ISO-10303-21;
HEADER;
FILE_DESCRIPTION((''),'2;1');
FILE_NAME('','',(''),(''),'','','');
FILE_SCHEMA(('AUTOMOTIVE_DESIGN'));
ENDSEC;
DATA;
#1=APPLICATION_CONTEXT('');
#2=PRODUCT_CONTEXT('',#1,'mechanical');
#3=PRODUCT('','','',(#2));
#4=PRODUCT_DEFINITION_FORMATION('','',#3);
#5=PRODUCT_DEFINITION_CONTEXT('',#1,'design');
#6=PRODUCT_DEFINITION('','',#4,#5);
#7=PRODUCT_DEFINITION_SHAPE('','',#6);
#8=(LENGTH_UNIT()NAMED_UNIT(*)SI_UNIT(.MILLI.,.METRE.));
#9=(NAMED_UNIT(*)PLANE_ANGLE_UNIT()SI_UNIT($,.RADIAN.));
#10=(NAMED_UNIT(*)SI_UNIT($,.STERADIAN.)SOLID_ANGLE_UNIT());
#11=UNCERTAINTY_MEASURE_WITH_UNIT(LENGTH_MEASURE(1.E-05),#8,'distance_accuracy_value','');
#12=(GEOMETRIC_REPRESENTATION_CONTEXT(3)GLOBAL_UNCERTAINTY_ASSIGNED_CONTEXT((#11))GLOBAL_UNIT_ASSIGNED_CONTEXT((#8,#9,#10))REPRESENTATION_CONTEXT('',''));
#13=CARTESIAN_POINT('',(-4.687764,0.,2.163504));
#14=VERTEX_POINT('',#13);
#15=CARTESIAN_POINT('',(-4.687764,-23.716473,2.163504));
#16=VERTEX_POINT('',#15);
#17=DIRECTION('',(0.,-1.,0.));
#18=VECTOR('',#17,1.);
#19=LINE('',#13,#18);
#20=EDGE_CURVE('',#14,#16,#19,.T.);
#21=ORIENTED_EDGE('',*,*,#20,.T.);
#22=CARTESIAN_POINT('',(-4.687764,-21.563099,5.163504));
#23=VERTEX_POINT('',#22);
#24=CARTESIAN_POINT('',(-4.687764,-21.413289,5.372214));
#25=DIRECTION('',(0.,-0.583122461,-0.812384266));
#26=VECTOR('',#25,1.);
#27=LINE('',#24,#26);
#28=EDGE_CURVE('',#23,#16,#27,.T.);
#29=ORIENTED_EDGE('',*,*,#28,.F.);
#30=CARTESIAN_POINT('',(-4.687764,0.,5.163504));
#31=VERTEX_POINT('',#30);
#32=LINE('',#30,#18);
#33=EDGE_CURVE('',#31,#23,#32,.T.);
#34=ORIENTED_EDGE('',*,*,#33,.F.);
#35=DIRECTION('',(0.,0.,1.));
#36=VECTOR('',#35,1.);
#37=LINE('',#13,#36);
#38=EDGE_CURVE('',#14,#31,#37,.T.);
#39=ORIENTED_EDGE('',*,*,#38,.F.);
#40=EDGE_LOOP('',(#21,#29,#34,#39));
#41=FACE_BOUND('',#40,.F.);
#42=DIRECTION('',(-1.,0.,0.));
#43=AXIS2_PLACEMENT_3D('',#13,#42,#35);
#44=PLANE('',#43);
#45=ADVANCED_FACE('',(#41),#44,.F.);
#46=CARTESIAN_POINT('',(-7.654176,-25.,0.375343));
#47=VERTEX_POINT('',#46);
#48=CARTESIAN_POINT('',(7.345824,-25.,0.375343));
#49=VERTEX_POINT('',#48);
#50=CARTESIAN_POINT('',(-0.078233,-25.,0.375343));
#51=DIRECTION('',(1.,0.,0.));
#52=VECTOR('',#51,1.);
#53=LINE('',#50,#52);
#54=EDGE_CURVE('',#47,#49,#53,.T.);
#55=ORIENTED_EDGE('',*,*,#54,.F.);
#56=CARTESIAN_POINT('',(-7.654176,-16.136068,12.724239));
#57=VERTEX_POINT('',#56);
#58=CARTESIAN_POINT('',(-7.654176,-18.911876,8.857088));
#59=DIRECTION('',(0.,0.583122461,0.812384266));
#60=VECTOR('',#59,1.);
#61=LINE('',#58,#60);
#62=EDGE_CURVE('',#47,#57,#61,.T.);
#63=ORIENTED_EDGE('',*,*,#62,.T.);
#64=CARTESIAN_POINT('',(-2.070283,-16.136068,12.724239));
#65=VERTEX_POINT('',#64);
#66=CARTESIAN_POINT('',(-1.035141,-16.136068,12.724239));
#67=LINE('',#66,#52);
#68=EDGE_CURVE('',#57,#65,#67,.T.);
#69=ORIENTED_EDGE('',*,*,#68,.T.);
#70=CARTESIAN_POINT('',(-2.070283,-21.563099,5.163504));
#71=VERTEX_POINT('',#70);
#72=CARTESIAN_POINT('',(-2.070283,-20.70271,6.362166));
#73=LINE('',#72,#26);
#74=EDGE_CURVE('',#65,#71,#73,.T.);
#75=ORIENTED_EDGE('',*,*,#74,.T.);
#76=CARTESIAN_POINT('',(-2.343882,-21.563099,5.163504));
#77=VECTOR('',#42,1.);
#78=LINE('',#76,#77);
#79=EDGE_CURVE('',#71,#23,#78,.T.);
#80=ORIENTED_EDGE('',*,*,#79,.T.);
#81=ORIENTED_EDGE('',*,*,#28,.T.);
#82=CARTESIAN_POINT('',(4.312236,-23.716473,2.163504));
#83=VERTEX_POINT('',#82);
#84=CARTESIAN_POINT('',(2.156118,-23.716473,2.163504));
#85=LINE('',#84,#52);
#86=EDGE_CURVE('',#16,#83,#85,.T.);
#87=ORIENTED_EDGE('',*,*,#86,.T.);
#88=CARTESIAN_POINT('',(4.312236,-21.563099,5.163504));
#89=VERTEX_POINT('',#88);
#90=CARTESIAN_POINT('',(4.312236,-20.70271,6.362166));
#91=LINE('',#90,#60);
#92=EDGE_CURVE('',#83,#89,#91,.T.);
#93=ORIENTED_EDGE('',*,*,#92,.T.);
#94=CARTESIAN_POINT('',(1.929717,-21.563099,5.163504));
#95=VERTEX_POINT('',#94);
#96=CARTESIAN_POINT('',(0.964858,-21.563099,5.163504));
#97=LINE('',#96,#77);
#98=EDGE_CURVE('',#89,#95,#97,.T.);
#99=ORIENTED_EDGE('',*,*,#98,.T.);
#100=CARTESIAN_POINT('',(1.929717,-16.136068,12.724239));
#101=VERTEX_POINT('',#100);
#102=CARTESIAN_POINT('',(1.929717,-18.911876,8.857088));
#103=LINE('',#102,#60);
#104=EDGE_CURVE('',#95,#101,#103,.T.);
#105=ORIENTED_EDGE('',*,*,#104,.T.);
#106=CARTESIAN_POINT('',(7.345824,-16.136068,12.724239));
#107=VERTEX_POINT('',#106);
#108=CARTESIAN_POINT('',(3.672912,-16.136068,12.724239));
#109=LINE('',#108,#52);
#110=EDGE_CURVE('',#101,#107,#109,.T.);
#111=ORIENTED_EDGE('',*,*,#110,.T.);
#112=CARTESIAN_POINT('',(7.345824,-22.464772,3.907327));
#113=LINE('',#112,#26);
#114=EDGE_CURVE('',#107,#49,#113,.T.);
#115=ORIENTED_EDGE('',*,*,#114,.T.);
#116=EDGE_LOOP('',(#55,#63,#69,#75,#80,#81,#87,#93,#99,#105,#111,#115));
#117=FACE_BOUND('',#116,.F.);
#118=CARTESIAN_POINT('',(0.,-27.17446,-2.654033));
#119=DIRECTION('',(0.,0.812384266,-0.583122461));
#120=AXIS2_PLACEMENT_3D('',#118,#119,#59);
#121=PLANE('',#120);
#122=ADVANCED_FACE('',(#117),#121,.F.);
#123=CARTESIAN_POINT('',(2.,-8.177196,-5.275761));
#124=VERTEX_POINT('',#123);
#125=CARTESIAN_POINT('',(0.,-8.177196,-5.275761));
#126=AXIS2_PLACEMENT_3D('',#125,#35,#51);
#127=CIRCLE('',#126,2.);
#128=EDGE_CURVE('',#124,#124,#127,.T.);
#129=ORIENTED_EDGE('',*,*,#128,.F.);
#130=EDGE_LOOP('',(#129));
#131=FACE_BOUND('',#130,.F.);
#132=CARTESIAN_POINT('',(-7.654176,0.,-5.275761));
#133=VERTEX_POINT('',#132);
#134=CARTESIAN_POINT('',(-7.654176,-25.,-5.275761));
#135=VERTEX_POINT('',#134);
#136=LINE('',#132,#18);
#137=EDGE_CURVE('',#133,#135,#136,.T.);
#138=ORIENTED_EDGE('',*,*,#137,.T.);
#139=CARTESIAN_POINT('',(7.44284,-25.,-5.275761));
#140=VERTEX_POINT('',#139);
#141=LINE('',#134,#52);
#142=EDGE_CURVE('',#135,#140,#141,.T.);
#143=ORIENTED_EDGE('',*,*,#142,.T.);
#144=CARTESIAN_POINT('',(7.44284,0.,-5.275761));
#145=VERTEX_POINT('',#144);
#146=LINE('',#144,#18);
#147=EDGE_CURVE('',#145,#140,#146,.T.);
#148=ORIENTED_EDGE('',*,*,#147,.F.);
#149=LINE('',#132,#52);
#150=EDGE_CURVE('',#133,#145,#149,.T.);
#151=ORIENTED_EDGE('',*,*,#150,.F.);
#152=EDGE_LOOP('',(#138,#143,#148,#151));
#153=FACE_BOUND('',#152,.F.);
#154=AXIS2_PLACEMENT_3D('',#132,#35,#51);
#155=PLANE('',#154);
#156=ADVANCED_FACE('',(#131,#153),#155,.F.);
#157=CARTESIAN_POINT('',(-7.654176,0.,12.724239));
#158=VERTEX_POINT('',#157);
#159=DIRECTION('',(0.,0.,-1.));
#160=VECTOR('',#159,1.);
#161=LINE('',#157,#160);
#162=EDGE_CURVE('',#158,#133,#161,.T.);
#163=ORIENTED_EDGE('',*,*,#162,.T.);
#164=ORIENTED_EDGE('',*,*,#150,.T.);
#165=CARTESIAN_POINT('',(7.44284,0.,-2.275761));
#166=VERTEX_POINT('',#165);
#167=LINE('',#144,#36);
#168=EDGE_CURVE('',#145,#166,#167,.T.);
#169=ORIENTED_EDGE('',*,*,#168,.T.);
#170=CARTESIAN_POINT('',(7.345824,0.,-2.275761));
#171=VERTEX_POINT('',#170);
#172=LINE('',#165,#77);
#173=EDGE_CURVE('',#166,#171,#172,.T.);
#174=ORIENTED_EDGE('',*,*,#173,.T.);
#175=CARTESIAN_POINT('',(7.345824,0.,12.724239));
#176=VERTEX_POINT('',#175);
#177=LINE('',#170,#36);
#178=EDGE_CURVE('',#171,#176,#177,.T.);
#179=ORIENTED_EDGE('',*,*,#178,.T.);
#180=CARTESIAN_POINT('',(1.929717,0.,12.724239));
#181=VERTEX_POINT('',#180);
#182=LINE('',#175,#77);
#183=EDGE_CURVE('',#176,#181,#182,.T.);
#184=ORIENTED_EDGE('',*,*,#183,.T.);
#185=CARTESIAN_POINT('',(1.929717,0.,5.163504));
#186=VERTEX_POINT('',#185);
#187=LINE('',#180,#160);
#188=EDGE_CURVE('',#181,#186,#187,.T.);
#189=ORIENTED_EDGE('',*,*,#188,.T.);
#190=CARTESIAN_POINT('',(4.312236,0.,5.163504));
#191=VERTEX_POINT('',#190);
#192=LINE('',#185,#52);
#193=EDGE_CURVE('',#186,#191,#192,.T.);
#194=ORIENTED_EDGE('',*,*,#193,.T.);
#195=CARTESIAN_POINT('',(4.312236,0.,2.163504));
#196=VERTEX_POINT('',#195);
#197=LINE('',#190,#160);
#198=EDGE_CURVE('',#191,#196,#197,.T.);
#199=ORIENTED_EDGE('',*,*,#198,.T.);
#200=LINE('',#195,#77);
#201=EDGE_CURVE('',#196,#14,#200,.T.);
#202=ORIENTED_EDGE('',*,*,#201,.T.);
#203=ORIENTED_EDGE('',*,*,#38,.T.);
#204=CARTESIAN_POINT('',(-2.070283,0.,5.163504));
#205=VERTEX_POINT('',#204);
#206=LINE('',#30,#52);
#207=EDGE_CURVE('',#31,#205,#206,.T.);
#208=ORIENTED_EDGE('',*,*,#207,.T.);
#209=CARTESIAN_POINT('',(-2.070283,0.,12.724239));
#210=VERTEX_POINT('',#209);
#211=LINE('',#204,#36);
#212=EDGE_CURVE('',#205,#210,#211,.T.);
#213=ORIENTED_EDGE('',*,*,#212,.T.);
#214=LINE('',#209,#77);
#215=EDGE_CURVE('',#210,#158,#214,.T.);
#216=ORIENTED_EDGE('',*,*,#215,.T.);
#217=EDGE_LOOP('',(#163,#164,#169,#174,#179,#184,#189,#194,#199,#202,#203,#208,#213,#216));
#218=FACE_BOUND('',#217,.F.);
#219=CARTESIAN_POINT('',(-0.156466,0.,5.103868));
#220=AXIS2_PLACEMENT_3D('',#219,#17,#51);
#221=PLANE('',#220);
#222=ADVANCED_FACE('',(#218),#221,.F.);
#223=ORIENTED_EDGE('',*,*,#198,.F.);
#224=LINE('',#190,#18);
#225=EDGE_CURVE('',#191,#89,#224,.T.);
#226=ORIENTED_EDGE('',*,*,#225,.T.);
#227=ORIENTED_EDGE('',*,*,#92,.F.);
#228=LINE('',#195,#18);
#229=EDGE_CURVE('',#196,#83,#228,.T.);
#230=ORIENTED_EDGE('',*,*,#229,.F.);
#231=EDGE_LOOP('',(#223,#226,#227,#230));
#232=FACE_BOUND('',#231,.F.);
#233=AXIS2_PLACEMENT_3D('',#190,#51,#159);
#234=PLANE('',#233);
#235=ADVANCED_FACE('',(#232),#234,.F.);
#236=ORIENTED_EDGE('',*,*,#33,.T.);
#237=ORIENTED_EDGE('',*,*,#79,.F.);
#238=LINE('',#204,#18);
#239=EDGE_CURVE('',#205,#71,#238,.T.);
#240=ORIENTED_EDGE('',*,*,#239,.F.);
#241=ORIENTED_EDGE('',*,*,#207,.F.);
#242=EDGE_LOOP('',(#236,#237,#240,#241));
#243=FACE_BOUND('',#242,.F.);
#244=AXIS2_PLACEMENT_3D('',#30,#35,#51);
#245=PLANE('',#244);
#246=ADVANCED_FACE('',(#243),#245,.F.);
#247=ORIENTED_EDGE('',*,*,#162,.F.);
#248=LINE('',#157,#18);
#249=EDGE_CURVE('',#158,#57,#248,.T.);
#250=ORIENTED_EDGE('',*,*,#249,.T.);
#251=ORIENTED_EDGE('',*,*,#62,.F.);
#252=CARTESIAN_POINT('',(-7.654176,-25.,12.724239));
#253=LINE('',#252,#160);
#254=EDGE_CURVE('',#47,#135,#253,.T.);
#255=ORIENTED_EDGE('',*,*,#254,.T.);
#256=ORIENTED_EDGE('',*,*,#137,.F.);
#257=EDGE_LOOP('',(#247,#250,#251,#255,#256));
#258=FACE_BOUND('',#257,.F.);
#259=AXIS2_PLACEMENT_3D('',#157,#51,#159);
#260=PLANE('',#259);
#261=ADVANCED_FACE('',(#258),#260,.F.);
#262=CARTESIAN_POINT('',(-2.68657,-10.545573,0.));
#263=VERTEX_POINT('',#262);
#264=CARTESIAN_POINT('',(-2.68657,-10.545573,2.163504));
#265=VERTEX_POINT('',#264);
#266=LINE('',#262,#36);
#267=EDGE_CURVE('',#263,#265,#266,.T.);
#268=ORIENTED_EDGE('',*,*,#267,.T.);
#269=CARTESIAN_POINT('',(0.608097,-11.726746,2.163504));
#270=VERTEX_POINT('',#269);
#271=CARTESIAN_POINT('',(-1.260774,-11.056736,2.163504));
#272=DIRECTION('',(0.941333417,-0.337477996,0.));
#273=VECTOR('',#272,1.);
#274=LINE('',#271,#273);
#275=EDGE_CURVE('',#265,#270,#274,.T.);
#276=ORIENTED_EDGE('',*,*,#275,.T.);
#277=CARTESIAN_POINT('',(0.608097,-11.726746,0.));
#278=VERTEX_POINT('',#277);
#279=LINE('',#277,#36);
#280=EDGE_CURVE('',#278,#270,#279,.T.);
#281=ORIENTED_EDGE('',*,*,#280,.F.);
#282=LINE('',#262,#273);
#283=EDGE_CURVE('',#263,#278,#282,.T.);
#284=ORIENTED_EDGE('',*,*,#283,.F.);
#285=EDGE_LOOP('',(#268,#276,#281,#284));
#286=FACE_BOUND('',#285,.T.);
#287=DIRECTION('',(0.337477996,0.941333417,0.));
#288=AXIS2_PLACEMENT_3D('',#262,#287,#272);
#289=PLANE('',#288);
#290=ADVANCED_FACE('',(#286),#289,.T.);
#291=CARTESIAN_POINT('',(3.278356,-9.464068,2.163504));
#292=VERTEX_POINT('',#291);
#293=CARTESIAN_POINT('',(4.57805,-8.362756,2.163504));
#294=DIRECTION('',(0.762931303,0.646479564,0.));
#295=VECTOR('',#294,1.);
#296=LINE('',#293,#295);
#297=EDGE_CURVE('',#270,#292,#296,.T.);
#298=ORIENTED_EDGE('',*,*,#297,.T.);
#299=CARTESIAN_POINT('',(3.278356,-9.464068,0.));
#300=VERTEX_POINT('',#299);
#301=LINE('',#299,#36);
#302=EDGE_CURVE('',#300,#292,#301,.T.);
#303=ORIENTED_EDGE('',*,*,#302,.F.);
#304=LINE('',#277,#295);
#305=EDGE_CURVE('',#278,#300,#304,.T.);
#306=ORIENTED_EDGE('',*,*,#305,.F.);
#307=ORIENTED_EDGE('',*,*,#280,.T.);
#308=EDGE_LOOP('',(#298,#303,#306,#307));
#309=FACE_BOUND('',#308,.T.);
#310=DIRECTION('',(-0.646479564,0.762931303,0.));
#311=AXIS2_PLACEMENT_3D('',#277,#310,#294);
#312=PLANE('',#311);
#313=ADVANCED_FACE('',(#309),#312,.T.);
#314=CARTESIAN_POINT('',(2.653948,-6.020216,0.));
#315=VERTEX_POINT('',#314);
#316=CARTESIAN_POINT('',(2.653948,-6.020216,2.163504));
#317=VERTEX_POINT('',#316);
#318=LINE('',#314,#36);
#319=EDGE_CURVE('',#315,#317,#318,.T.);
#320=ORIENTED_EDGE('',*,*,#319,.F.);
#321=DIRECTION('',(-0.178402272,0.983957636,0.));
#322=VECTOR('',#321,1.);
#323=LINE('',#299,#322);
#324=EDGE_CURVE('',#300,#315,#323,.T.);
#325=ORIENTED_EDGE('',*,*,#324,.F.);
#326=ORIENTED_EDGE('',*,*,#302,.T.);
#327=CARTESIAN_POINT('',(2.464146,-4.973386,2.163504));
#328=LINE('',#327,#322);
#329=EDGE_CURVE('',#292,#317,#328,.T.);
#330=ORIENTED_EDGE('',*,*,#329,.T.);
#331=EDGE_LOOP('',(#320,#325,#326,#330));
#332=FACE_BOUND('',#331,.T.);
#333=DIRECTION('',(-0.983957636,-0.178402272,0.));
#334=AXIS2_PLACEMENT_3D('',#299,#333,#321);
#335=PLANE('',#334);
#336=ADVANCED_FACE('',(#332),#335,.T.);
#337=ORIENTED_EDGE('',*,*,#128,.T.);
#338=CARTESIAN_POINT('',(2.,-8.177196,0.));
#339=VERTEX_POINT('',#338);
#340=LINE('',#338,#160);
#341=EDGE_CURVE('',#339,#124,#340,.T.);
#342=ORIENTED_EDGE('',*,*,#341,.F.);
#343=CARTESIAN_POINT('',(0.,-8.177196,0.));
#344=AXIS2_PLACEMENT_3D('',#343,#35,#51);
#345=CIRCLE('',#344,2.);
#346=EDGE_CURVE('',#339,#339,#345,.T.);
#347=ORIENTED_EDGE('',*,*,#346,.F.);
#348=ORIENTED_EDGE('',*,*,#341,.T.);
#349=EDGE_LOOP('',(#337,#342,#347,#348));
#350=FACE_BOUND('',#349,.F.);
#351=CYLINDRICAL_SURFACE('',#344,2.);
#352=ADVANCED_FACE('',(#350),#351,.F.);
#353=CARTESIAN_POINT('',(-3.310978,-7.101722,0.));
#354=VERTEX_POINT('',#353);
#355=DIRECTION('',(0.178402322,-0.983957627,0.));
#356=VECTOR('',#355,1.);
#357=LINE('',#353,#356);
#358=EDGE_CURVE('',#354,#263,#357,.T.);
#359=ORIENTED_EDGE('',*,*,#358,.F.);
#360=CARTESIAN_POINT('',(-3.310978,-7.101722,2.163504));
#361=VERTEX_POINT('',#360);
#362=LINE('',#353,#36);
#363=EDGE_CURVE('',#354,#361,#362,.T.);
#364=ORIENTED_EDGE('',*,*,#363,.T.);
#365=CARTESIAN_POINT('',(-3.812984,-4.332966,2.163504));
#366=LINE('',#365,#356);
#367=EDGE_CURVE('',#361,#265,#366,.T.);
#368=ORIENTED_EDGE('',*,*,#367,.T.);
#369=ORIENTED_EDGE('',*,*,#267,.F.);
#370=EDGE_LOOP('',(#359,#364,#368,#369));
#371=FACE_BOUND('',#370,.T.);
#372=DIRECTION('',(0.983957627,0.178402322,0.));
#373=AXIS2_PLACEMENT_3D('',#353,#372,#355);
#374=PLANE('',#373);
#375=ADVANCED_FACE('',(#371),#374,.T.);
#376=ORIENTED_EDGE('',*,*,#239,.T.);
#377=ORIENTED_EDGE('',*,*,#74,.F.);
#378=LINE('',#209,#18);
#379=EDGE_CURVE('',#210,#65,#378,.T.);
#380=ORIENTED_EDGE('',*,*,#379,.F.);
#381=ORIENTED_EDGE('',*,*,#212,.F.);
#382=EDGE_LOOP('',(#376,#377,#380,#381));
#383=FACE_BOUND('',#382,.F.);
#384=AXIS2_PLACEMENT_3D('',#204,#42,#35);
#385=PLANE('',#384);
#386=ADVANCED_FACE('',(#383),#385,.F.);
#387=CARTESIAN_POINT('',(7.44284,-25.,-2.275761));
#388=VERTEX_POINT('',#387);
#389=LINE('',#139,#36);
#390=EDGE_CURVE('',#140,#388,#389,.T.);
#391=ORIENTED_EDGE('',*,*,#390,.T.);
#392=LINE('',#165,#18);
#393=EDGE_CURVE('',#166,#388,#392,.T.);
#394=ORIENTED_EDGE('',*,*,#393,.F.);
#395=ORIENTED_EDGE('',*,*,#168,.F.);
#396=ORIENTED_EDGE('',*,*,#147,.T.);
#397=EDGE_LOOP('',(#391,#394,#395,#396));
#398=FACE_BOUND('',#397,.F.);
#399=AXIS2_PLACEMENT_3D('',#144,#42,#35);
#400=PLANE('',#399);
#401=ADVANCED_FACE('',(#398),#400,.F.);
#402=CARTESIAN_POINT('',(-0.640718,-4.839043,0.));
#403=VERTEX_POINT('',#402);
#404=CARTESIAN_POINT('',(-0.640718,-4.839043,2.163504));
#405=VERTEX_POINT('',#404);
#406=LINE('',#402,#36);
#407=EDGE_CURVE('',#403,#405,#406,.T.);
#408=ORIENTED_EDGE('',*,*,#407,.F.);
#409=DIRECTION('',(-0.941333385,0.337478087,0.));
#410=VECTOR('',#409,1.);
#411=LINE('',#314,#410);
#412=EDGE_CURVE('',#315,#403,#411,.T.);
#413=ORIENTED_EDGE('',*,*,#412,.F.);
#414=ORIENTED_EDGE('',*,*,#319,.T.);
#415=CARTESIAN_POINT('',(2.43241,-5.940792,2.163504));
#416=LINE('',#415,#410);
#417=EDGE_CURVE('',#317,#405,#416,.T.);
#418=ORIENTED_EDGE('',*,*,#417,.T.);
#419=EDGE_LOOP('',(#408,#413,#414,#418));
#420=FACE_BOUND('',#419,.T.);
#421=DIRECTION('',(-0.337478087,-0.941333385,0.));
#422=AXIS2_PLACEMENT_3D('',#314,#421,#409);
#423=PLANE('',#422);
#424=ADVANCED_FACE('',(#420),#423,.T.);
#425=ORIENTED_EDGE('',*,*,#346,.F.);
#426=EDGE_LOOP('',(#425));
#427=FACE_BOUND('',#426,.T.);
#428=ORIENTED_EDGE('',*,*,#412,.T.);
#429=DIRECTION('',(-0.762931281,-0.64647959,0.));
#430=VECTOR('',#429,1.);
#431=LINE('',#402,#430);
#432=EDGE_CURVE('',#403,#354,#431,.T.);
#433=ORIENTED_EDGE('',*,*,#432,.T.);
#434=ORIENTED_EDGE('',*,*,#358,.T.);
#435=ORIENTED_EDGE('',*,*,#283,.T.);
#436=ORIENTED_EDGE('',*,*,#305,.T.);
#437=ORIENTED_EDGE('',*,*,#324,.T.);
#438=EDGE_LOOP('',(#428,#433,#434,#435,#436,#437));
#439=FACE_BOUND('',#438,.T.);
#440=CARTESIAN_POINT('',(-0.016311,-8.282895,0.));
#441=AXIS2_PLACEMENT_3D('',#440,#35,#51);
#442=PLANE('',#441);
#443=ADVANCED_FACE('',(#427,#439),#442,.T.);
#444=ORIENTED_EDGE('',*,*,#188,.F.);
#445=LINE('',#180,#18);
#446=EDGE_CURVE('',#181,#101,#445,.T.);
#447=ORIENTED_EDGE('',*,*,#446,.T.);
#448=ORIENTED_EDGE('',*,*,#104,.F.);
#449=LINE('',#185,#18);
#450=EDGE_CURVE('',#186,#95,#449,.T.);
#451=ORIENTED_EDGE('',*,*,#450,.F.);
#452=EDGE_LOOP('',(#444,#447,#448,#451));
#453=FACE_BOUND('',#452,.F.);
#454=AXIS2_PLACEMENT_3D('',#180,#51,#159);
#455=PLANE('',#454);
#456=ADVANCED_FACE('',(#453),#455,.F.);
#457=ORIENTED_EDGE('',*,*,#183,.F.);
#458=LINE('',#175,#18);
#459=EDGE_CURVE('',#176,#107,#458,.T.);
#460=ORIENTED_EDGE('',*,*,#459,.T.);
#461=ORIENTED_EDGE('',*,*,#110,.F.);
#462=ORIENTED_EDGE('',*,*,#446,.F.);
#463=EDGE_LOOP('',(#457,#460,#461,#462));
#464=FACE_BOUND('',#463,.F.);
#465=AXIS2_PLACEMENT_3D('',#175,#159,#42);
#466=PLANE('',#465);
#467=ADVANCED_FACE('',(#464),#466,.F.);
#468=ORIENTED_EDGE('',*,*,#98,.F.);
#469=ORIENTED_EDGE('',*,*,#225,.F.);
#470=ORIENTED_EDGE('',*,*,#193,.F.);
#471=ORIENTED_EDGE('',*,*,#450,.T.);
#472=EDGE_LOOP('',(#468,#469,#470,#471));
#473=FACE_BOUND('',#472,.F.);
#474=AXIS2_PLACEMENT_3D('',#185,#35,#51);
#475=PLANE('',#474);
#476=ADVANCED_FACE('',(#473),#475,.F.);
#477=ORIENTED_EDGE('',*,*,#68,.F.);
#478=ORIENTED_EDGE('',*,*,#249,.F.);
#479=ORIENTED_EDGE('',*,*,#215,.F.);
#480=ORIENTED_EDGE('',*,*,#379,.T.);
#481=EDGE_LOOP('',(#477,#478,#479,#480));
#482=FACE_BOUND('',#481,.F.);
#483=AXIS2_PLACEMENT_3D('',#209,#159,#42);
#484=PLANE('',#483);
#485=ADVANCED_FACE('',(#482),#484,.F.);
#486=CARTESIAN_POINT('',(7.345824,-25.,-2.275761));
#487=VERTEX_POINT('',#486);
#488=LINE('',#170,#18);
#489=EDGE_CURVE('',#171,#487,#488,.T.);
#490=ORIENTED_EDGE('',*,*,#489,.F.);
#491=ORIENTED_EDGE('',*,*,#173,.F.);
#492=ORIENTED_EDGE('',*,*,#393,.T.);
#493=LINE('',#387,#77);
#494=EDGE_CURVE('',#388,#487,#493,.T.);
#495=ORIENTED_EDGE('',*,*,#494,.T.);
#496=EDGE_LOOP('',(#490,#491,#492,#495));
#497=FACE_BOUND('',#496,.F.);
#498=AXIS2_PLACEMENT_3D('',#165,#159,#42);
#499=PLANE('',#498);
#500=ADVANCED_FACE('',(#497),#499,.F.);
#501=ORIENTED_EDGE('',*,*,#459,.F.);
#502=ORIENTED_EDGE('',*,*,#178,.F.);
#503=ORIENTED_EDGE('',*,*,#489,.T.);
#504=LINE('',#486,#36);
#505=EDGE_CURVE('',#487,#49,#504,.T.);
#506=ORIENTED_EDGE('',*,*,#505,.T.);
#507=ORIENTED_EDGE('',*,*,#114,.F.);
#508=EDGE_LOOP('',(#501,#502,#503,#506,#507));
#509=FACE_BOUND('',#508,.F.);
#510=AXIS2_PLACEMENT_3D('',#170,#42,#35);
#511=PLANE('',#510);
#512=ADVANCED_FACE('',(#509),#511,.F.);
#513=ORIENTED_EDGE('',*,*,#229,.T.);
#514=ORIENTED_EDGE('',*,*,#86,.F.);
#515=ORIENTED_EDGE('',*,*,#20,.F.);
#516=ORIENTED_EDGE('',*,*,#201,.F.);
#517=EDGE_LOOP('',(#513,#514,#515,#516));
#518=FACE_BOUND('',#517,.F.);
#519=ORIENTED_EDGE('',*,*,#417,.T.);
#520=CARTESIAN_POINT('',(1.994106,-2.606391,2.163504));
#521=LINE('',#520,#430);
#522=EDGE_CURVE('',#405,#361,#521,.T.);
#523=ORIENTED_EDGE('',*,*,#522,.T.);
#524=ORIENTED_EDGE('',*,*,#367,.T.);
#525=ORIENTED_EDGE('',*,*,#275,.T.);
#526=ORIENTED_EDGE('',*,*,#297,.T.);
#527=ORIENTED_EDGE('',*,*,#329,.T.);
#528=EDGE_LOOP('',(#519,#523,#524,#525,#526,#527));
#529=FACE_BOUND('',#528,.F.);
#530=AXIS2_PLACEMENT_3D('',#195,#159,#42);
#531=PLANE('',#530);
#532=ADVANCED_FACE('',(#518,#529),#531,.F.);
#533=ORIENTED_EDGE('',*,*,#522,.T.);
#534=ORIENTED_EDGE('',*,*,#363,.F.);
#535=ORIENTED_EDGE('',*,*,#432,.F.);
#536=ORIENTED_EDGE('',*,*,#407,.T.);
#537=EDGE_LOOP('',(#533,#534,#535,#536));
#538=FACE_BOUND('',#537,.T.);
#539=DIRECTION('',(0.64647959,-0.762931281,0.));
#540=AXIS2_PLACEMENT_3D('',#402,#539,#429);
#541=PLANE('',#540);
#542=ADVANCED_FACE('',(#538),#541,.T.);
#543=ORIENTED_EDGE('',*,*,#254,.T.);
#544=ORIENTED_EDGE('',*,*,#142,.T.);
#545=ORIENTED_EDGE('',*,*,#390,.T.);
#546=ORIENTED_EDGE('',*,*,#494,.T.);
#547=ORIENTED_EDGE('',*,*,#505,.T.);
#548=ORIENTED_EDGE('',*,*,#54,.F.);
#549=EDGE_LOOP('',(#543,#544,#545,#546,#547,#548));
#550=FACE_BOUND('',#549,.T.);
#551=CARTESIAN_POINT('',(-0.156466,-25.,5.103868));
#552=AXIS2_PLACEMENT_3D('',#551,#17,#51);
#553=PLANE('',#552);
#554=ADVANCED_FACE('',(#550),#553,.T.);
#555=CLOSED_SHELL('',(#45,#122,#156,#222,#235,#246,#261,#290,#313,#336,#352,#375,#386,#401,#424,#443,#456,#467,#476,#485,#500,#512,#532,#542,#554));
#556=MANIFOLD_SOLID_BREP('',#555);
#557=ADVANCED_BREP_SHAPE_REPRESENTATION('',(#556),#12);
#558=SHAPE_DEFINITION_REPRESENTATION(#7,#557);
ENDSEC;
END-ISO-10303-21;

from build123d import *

# Parameters (mm, degrees)
F1_DEPTH = 25
F3_DEPTH = 18.7
F5_DEPTH = 3
F6_R     = 2
F7_DEPTH = 25


with BuildPart() as f1:
    # F0 (on Front) → F1 (new body)
    with BuildSketch(Plane.XZ):
        Polygon((-2.070283, 12.724239), (-7.654176, 12.724239), (-7.654176, -2.275761), (7.345824, -2.275761), (7.345824, 12.724239), (1.929717, 12.724239), (1.929717, 5.163504), (4.312236, 5.163504), (4.312236, 2.163504), (-4.687764, 2.163504), (-4.687764, 5.163504), (-2.070283, 5.163504), align=None)
        Polygon((7.345824, -2.275761), (-7.654176, -2.275761), (-7.654176, -5.275761), (7.44284, -5.275761), (7.44284, -2.275761), align=None)
    extrude(amount=F1_DEPTH)

    # F2 (on Right) → F3 (cut, symmetric)
    with BuildSketch(Plane.YZ):
        Polygon((-30.076236, 15.53787), (-27.17446, -2.654033), (-14.116468, 15.53787), align=None)
    extrude(amount=F3_DEPTH, both=True, mode=Mode.SUBTRACT)

    # F4 (on Top) → F5 (cut)
    with BuildSketch(Plane.XY):
        Polygon((3.278356, -9.464068), (2.653948, -6.020216), (-0.640718, -4.839043), (-3.310978, -7.101722), (-2.68657, -10.545573), (0.608097, -11.726746), align=None)
    extrude(amount=F5_DEPTH, mode=Mode.SUBTRACT)

    # F6 (on face) → F7 (cut)
    with BuildSketch(Plane.XY):
        with Locations((0, -8.177196)):
            Circle(F6_R)
    extrude(amount=-F7_DEPTH, mode=Mode.SUBTRACT)


solid = f1.part
